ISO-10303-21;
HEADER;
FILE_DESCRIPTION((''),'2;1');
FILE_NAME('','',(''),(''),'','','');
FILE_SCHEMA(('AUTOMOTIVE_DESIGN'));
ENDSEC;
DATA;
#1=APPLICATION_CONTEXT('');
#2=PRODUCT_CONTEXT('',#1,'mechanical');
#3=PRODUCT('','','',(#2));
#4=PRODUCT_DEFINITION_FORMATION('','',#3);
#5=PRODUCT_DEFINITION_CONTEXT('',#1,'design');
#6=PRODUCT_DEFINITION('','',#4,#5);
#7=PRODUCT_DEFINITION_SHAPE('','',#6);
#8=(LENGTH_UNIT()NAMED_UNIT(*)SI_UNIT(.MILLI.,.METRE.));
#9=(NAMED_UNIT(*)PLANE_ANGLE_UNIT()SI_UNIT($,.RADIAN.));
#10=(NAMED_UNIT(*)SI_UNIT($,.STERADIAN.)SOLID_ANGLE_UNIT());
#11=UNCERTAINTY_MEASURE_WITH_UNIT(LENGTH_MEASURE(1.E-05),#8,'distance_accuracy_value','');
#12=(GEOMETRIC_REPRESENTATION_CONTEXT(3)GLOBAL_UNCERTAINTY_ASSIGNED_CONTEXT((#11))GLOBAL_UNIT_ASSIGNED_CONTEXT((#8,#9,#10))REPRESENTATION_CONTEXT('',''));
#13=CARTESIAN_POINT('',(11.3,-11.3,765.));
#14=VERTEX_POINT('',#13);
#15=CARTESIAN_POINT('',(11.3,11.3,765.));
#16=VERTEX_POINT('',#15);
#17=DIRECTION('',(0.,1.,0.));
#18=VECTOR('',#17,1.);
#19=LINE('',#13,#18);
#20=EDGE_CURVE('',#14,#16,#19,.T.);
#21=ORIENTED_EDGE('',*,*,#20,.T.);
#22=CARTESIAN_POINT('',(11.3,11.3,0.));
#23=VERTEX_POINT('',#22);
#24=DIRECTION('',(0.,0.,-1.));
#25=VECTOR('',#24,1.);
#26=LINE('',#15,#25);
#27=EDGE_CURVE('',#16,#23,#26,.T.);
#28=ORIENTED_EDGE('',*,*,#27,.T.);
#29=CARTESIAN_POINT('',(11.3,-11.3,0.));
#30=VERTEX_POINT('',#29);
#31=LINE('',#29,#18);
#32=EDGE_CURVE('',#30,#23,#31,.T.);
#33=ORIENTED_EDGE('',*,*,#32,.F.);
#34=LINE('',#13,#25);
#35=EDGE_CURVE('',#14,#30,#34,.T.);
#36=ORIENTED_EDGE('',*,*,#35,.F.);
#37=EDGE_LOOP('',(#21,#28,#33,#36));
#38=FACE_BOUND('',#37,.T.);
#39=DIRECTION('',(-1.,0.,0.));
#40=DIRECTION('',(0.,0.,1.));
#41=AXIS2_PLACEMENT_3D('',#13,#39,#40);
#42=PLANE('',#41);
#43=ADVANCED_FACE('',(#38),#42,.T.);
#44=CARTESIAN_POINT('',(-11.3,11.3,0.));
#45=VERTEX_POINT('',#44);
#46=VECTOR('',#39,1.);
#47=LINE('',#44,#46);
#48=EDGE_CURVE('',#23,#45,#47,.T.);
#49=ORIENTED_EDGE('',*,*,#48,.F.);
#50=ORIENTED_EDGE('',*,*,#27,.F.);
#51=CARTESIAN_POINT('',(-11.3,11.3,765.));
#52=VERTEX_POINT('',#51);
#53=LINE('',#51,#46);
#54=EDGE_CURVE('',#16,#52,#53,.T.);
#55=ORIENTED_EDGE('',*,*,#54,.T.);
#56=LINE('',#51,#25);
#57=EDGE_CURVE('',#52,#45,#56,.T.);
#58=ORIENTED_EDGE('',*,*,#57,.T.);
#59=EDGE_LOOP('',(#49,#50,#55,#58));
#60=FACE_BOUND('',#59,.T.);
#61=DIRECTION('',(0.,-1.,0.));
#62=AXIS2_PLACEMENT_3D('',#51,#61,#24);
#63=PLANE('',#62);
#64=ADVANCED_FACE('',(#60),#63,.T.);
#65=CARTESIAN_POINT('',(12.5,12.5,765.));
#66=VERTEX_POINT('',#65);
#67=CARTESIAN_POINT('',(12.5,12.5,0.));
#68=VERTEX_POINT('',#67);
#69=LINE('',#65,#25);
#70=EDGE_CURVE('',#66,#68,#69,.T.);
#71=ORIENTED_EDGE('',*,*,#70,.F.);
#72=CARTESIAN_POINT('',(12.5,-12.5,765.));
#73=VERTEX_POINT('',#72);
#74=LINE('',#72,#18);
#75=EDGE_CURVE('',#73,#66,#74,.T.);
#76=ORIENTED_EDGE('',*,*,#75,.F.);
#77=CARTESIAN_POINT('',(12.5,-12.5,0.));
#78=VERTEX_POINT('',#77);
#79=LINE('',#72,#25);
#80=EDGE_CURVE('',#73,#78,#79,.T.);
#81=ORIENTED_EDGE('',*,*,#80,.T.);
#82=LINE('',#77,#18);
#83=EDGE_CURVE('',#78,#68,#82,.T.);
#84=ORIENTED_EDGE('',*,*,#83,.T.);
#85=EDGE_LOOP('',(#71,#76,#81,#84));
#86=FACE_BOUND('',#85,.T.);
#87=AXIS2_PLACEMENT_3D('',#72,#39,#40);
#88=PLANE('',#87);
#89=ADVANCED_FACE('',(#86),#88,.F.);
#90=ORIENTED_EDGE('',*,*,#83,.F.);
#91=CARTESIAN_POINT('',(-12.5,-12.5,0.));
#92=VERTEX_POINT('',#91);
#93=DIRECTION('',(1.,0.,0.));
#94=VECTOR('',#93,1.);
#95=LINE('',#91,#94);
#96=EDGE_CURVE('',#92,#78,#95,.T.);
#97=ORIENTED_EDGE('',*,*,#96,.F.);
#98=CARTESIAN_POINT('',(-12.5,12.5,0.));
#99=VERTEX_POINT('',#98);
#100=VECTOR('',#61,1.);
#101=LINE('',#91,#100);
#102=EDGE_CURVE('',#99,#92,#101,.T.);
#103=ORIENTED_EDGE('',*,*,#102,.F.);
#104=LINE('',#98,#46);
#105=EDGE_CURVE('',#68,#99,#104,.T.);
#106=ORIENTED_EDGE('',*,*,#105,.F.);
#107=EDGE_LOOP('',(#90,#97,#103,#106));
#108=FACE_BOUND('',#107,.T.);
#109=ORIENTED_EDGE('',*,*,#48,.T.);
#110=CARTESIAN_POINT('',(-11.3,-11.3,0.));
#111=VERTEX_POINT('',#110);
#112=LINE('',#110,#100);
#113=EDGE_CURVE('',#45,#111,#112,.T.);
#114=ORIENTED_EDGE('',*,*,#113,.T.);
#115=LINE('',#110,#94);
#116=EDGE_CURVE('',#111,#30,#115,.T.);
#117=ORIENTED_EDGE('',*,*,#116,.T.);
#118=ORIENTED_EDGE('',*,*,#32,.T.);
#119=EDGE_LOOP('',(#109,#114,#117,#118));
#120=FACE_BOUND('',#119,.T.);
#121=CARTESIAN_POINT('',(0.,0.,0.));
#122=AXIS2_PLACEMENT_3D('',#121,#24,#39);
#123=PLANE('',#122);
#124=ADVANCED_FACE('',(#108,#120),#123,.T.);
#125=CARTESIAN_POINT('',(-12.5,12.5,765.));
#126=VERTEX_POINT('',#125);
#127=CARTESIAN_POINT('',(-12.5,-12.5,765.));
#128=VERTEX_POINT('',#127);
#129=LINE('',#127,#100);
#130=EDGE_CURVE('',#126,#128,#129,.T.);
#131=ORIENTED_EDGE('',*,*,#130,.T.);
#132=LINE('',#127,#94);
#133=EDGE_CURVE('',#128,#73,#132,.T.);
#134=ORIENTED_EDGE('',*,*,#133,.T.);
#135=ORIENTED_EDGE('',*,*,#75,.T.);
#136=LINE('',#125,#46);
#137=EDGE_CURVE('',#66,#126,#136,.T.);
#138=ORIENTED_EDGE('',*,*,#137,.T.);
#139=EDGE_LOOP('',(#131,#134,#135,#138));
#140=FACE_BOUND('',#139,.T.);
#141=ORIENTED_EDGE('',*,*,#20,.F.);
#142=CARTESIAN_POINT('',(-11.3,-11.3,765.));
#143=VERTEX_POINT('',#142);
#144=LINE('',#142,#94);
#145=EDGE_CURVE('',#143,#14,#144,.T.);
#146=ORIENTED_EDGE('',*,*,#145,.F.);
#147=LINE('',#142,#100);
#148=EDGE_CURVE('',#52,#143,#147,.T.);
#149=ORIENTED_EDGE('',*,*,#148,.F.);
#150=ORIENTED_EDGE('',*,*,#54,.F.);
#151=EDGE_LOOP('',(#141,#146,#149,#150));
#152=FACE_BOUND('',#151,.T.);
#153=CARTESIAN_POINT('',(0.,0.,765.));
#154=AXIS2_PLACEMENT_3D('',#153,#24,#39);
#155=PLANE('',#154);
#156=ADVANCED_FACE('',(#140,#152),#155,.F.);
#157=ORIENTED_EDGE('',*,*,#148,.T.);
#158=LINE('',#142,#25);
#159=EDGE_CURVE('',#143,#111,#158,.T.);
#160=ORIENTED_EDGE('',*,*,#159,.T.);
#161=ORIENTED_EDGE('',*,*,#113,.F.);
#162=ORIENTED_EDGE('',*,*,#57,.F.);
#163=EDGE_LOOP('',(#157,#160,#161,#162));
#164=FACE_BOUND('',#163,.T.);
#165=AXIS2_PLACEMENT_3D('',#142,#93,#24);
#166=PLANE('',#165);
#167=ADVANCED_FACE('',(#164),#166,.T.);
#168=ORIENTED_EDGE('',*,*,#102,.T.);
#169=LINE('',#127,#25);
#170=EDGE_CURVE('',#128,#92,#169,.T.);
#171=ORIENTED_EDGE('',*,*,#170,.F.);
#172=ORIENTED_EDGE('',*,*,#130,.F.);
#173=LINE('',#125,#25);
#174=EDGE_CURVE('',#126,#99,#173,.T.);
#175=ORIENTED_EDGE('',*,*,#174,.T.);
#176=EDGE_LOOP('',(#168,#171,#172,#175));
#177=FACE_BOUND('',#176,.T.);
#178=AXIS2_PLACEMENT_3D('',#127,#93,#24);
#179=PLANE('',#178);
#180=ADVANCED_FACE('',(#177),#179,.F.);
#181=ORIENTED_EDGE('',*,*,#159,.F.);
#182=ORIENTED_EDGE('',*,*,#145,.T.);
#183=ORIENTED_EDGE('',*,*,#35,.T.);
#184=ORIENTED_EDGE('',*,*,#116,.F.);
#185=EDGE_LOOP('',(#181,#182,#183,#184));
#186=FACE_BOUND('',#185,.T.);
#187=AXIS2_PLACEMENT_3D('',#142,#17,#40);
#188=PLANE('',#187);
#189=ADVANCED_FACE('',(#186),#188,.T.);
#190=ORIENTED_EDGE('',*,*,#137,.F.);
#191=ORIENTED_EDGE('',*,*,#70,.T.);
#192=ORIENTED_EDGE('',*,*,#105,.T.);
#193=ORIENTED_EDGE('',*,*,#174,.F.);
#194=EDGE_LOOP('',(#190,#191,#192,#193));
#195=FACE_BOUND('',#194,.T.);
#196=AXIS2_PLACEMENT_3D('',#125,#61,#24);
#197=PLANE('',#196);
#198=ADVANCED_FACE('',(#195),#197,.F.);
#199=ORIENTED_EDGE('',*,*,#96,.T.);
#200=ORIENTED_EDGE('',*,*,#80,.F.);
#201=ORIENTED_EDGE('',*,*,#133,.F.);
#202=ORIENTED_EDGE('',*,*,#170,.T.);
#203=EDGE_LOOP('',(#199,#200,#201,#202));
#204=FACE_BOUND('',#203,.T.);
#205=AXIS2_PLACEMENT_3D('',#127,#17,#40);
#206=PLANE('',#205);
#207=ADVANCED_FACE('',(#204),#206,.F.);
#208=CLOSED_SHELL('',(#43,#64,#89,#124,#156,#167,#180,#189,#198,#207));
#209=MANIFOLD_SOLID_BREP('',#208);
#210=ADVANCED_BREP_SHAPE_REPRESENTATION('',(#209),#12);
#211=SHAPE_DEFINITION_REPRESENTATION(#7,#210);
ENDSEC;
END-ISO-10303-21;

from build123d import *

# Parameters (mm, degrees)
SKETCH1_W           = 25
SKETCH1_H           = 25
SKETCH1_W_2         = 22.6
SKETCH1_H_2         = 22.6
BOSS_EXTRUDE1_DEPTH = 765


with BuildPart() as part:
    # Sketch1 → Boss-Extrude1 (new body)
    with BuildSketch(Plane.XY):
        Rectangle(SKETCH1_W, SKETCH1_H)
        Rectangle(SKETCH1_W_2, SKETCH1_H_2, mode=Mode.SUBTRACT)
    extrude(amount=BOSS_EXTRUDE1_DEPTH)


solid = part.part
